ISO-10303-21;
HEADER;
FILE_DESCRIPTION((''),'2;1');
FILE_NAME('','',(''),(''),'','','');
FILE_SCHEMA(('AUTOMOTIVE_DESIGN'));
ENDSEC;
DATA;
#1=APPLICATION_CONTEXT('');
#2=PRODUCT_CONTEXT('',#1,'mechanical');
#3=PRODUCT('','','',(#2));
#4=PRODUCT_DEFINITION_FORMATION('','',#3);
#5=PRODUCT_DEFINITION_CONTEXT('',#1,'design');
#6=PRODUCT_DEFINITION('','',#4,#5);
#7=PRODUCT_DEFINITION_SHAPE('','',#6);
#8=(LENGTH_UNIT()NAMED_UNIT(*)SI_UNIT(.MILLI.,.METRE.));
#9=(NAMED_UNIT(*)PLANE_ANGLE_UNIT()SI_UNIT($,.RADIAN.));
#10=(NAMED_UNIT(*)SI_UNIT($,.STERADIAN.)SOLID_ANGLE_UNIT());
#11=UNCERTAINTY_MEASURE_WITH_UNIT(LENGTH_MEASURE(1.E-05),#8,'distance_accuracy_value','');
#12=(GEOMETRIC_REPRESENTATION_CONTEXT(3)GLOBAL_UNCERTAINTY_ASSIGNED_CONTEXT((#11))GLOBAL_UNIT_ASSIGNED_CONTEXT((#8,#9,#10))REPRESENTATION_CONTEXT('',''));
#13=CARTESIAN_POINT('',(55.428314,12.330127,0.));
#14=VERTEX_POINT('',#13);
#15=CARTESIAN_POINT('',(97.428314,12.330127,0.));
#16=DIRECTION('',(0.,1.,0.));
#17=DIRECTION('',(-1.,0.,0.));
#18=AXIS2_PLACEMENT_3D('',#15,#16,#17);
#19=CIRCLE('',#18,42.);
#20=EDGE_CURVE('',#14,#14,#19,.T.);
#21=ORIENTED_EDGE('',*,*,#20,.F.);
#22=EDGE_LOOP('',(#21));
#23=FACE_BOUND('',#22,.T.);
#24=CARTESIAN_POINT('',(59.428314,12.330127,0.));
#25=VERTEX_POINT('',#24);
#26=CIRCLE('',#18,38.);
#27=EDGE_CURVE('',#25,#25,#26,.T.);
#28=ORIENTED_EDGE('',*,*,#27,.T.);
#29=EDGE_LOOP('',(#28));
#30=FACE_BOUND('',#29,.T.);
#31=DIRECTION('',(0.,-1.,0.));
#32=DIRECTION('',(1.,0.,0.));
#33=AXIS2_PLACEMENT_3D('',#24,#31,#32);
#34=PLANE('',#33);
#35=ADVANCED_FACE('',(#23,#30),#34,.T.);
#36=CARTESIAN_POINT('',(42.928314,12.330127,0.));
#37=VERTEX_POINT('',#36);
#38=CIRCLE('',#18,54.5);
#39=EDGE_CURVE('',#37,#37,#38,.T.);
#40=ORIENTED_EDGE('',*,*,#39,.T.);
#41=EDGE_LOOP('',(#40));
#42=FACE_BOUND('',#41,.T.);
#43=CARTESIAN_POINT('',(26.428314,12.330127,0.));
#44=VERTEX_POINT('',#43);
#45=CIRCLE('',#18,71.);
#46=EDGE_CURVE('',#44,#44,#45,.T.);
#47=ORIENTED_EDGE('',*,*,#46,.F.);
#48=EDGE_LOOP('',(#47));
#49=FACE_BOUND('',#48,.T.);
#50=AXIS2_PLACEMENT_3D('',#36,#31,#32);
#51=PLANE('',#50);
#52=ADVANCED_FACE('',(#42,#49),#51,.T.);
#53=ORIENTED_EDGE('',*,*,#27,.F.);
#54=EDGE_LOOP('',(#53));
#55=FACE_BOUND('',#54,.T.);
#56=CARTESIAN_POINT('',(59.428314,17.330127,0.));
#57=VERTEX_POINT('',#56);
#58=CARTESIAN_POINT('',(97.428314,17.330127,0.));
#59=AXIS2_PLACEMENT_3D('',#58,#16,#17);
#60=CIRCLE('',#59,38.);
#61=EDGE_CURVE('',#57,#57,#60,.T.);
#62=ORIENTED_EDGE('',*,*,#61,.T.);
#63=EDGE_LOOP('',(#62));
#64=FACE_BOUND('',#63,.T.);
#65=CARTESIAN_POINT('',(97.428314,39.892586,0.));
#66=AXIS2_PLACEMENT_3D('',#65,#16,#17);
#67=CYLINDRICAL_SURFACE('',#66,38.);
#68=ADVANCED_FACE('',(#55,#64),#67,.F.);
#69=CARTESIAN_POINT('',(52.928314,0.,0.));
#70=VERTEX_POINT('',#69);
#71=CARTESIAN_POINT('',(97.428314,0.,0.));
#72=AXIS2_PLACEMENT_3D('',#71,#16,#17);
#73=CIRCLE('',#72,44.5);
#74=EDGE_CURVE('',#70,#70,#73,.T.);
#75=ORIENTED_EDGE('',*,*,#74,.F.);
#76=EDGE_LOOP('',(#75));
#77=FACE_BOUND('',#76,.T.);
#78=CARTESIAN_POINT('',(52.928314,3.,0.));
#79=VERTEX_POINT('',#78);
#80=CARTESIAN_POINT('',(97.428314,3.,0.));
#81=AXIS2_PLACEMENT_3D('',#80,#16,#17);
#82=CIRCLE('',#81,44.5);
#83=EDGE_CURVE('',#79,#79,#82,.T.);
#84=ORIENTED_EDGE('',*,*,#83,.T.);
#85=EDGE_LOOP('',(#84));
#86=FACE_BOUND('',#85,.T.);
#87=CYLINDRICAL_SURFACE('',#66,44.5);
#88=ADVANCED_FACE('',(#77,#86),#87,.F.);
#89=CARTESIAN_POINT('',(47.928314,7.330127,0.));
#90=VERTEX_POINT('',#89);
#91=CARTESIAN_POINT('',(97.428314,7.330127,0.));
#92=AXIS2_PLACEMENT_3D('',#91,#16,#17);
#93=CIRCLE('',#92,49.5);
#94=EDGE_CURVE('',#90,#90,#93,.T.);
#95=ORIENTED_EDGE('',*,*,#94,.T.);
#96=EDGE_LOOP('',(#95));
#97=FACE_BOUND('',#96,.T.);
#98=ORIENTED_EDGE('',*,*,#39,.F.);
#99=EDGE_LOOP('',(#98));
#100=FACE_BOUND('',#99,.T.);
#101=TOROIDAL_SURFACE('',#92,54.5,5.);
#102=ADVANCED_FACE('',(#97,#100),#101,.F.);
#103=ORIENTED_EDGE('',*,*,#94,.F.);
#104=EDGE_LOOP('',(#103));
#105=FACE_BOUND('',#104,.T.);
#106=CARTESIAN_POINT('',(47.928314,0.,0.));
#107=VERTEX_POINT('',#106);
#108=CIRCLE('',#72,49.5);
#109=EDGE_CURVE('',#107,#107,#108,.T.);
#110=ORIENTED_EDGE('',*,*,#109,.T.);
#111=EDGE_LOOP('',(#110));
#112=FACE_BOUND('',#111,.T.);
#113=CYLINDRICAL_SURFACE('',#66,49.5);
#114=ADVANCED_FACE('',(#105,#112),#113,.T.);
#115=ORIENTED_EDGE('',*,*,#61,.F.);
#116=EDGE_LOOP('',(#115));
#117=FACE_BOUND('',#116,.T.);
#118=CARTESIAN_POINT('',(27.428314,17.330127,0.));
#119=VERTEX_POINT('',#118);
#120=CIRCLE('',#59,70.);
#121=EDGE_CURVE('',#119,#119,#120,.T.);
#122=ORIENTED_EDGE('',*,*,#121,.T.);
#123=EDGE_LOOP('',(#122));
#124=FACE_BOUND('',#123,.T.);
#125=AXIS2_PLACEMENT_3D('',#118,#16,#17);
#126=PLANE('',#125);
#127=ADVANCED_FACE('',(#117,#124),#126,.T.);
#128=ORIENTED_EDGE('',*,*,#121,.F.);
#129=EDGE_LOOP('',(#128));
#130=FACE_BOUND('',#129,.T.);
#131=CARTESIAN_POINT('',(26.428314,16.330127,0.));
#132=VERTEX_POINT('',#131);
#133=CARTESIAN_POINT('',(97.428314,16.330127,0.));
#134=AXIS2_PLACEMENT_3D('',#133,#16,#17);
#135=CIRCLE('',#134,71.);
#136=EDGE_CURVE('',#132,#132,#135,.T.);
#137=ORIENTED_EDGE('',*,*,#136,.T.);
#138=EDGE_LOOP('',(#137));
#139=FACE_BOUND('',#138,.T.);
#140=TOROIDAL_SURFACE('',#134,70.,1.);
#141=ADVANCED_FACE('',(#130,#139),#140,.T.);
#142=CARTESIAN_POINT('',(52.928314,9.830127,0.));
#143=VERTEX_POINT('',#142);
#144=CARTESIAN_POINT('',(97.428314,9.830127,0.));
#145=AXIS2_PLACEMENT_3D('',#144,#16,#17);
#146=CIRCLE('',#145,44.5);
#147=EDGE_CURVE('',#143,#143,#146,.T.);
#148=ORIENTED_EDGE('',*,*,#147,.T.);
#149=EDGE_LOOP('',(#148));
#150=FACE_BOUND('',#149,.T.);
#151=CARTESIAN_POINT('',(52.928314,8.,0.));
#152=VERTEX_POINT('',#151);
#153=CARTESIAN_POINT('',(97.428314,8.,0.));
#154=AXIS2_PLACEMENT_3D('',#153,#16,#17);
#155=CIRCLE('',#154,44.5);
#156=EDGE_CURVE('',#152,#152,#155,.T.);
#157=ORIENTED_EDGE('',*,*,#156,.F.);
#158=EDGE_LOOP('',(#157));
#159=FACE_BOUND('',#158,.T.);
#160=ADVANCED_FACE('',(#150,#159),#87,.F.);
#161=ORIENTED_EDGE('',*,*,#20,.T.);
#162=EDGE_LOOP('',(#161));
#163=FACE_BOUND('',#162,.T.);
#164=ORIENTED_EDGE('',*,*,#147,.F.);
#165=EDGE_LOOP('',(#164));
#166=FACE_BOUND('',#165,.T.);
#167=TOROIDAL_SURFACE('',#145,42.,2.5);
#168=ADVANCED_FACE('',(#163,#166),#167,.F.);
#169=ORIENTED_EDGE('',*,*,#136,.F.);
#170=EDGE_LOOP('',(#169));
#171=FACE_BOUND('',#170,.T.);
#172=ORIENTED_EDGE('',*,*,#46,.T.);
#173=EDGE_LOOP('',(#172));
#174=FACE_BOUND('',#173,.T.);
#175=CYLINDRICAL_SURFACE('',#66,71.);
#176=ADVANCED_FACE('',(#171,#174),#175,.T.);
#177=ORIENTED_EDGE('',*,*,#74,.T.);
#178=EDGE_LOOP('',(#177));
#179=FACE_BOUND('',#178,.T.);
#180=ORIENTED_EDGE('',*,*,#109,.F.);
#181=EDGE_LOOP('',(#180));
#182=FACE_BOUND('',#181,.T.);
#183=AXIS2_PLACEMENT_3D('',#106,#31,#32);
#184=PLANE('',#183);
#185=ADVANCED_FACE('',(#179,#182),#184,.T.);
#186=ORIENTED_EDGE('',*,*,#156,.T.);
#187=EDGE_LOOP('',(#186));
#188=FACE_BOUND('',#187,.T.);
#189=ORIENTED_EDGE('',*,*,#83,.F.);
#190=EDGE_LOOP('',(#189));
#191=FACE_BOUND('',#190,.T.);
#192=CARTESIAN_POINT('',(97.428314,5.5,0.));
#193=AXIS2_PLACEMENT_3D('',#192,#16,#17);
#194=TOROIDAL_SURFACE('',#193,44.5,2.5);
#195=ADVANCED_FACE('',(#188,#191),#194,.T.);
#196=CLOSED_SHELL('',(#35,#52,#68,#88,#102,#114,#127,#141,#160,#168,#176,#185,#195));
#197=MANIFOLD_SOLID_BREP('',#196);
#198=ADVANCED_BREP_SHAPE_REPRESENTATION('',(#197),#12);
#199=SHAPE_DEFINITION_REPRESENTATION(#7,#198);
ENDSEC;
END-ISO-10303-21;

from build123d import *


with BuildPart() as part:
    # Sketch1 → Revolve1 (revolve)
    with BuildSketch(Plane.XY):
        with BuildLine():
            Line((26.42831399, 12.330127019), (26.42831399, 16.330127019))
            ThreePointArc((26.42831399, 16.330127019), (26.721207209, 17.0372338), (27.42831399, 17.330127019))
            Line((27.42831399, 17.330127019), (59.42831399, 17.330127019))
            Line((59.42831399, 17.330127019), (59.42831399, 12.330127019))
            Line((59.42831399, 12.330127019), (55.42831399, 12.330127019))
            ThreePointArc((55.42831399, 12.330127019), (53.660547037, 11.597893972), (52.92831399, 9.830127019))
            Line((52.92831399, 9.830127019), (52.92831399, 8))
            ThreePointArc((52.92831399, 8), (55.42831399, 5.5), (52.92831399, 3))
            Line((52.92831399, 3), (52.92831399, 0))
            Line((52.92831399, 0), (47.92831399, 0))
            Line((47.92831399, 0), (47.92831399, 7.330127019))
            ThreePointArc((47.92831399, 7.330127019), (46.463847896, 10.865660925), (42.92831399, 12.330127019))
            Line((42.92831399, 12.330127019), (26.42831399, 12.330127019))
        make_face()
    revolve(axis=Axis((97.42831399, 39.892585804, 0), (0, -1, 0)))


solid = part.part
